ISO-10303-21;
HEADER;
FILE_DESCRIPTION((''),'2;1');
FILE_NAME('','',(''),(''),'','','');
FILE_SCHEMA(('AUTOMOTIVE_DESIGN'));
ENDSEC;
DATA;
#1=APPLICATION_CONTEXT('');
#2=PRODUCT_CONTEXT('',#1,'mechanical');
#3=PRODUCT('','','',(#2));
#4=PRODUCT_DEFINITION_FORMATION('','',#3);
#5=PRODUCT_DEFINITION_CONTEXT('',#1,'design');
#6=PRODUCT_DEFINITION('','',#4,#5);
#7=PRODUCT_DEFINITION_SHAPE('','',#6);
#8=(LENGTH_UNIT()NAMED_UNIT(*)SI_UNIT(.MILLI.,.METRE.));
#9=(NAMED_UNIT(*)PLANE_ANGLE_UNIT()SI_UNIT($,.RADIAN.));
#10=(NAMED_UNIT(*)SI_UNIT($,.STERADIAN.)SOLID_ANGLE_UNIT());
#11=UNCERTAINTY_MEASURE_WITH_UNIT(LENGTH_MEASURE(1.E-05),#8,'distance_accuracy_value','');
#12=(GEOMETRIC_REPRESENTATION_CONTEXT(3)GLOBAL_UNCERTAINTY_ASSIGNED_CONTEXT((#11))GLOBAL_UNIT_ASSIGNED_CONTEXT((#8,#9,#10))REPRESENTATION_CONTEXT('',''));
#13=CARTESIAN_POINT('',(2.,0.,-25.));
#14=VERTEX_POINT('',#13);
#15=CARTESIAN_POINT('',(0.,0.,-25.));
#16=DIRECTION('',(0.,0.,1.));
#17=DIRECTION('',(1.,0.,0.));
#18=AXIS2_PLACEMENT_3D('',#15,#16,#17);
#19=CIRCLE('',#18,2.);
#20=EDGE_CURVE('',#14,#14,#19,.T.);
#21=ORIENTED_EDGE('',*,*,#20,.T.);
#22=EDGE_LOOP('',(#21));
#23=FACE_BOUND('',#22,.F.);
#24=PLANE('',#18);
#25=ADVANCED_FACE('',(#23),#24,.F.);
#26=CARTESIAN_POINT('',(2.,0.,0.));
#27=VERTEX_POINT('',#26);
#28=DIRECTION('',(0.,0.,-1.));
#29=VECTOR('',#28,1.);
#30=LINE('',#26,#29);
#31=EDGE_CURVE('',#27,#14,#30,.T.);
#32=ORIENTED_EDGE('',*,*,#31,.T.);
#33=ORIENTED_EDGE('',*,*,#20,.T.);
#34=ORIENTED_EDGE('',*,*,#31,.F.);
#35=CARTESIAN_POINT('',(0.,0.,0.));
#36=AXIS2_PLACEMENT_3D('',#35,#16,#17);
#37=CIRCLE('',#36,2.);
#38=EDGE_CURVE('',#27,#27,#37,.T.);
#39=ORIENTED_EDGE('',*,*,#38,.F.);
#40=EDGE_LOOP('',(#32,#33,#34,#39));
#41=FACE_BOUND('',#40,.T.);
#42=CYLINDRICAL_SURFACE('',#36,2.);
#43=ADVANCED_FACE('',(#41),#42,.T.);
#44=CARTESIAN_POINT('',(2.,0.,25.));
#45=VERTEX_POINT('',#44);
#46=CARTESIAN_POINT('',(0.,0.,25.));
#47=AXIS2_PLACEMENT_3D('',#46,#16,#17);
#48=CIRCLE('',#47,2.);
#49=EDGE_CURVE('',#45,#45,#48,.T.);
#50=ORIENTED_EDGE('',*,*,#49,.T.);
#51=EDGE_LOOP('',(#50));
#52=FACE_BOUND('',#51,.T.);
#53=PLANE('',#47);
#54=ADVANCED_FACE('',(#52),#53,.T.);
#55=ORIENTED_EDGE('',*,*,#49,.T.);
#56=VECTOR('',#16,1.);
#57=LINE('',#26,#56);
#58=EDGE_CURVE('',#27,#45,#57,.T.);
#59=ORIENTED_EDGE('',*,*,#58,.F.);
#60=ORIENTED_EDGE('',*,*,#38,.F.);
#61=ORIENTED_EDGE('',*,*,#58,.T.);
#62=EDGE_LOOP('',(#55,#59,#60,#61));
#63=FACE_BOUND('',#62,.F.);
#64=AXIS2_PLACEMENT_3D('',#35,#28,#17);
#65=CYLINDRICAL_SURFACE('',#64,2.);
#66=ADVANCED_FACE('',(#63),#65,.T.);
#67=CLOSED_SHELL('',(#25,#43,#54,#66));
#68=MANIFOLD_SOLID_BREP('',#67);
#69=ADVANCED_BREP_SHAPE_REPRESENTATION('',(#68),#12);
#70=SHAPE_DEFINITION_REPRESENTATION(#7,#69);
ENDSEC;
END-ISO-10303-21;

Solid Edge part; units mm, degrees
sketch "Sketch1" plane through (0, 0, 0) normal (0, 0, 1) x (1, 0, 0)
  circle A0 centre (0, 0) radius 2
  dimension "D1" = 4
extrude "Ajout_matière_1" add sketch "Sketch1" along normal mid plane 50
properties material "Acier S235"
